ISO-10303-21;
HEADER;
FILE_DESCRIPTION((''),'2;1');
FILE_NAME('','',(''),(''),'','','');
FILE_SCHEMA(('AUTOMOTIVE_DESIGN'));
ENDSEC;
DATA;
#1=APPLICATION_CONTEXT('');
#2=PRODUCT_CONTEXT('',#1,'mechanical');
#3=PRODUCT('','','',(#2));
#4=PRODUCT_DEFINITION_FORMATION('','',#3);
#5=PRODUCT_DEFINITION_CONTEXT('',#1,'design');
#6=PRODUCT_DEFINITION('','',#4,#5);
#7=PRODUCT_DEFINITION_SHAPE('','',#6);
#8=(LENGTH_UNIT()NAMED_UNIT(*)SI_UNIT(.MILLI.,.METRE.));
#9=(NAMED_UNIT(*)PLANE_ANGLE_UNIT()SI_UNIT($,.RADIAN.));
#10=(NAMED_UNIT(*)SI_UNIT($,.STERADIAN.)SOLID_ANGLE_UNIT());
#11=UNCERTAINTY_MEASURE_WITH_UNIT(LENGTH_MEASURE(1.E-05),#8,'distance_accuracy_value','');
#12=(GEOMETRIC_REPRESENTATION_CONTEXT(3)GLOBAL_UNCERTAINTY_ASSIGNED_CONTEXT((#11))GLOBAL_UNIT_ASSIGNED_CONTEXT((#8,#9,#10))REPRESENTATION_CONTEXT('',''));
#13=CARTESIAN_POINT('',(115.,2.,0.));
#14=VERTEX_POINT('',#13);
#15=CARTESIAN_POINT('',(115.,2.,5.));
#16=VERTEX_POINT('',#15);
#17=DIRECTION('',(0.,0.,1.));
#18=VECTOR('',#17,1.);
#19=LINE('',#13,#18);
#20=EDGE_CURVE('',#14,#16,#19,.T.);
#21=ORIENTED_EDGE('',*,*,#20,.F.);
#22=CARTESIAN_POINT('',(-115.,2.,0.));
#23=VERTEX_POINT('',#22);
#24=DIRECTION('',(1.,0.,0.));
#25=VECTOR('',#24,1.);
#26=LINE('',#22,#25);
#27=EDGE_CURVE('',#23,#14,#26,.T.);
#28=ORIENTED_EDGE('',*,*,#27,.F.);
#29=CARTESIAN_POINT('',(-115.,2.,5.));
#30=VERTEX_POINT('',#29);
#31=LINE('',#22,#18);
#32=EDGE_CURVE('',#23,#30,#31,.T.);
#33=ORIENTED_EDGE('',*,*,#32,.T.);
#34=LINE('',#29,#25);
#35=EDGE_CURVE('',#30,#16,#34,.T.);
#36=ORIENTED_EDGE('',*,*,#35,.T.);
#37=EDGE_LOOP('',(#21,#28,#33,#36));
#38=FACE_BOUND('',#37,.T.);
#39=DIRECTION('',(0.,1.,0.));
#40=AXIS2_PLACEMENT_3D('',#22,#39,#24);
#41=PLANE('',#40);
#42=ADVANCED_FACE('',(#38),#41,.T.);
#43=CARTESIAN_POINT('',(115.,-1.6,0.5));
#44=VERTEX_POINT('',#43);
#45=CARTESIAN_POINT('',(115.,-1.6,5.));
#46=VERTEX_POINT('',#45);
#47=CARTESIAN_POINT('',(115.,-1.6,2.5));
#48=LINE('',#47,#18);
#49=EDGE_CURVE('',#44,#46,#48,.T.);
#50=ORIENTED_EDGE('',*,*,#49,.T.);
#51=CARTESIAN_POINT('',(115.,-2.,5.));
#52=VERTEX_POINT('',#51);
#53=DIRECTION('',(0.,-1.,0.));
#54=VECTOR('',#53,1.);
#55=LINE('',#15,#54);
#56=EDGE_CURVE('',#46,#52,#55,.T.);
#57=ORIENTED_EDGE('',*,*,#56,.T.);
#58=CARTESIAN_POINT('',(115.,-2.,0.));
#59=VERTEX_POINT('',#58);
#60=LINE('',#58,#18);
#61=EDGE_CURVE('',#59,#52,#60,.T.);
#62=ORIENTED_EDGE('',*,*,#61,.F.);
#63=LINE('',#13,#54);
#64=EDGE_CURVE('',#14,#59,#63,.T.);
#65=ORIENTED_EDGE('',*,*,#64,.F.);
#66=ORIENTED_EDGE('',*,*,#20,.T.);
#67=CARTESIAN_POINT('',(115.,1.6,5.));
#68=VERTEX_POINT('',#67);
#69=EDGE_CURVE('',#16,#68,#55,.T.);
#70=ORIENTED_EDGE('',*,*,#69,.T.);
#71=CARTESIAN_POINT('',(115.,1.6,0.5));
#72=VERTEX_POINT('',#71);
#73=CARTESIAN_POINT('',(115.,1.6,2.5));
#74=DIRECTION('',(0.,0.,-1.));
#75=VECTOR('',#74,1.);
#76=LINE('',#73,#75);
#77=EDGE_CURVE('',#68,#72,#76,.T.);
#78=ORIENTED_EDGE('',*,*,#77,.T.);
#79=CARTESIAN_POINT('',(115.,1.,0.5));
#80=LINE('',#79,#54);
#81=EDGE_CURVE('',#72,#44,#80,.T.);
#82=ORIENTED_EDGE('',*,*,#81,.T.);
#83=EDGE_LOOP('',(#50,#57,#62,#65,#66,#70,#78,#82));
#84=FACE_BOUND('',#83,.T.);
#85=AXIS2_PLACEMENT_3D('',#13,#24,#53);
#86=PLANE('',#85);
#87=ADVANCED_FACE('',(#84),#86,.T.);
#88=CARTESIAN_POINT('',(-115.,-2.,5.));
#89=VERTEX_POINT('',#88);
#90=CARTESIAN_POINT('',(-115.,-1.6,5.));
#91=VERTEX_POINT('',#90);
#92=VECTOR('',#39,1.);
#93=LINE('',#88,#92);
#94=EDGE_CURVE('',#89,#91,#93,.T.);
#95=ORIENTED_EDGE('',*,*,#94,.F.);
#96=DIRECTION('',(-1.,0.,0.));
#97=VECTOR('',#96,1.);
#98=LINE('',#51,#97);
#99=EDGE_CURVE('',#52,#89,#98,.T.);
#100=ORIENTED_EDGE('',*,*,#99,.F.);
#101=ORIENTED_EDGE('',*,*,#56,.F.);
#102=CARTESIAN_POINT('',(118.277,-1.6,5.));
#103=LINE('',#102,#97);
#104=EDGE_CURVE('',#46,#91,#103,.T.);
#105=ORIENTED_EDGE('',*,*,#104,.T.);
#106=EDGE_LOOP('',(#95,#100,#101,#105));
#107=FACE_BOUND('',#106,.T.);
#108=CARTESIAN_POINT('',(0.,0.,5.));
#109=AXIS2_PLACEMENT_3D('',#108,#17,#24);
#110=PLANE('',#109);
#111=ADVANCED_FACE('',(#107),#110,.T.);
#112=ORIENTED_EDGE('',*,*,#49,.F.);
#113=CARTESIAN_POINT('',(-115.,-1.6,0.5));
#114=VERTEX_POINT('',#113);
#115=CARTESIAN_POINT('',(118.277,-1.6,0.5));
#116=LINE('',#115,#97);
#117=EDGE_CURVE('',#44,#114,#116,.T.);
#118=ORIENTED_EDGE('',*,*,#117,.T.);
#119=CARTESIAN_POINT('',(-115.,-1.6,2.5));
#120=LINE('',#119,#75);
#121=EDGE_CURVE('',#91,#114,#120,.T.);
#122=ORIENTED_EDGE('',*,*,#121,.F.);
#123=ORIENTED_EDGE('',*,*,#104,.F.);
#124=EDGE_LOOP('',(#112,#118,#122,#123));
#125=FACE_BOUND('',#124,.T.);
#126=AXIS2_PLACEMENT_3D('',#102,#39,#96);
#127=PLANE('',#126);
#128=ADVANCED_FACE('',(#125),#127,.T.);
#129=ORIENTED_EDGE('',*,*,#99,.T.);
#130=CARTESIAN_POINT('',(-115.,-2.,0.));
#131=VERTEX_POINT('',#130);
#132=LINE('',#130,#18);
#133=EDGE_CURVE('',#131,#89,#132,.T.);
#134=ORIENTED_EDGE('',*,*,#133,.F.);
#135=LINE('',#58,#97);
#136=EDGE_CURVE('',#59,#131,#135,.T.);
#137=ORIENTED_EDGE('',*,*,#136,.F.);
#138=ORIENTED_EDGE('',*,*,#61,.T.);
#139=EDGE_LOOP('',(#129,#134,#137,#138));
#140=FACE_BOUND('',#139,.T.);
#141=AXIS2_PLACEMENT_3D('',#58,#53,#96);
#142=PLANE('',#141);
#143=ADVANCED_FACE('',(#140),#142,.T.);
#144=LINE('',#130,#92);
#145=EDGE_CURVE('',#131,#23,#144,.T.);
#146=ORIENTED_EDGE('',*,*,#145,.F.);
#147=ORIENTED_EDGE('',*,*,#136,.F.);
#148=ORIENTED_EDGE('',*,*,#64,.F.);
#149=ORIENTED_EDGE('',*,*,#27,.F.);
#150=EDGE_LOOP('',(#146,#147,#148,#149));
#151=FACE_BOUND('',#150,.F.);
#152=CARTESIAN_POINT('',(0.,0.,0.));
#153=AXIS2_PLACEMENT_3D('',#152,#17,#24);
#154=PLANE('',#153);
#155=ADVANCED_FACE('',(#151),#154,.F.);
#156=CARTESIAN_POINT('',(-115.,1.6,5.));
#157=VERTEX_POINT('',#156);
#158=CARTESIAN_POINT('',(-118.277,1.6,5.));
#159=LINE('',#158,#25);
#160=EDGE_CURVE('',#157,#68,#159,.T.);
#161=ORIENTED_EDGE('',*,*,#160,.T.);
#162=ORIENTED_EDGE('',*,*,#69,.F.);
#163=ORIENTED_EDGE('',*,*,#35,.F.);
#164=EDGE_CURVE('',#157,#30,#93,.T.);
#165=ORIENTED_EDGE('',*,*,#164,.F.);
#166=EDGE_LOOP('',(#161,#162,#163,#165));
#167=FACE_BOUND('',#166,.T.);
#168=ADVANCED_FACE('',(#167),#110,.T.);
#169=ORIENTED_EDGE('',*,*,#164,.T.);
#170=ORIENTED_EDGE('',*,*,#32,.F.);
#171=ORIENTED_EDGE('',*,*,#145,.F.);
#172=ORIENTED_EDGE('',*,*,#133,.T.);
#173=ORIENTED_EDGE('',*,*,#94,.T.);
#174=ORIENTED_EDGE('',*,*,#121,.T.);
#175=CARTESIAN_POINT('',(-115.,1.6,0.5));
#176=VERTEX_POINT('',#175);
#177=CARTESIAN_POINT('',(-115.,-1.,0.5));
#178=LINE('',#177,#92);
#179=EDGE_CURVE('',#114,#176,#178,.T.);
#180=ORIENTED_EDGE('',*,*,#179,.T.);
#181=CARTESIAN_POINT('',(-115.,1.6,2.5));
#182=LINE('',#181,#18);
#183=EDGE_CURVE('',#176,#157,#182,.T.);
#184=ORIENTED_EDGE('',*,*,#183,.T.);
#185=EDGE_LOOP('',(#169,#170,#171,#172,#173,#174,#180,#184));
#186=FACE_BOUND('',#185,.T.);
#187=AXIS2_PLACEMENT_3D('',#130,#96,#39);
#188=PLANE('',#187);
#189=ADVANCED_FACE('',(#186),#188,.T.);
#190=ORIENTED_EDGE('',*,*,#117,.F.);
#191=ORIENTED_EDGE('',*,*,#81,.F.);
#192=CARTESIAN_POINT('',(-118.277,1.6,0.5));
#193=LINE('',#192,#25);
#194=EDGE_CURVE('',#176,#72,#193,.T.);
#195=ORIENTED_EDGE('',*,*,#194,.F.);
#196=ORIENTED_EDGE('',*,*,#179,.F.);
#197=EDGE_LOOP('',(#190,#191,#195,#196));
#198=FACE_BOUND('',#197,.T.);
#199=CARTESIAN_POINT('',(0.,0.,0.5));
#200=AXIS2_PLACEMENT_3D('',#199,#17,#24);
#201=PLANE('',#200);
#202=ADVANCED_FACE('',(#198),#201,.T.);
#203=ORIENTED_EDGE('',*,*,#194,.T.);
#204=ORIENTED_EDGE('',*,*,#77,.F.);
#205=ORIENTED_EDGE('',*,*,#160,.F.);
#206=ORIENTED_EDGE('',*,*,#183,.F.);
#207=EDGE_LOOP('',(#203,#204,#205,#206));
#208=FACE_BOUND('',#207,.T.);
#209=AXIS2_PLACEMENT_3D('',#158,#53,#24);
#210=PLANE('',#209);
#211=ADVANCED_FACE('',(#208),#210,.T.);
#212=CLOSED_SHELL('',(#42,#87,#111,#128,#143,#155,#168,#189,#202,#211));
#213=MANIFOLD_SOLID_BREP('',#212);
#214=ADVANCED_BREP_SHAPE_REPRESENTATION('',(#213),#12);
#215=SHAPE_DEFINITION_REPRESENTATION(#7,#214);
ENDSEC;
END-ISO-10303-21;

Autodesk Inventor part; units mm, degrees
ref_plane "YZ Plane" through (0, 0, 0) normal (1, 0, 0) x (0, 1, 0)
ref_plane "XZ Plane" through (0, 0, 0) normal (0, 1, 0) x (-1, 0, 0)
ref_plane "XY Plane" through (0, 0, 0) normal (0, 0, 1) x (1, 0, 0)
sketch "Sketch1" plane through (0, 0, 0) normal (0, 0, 1) x (1, 0, 0)
  line L0 (-115, 2) -> (115, 2)
  line L1 (115, 2) -> (115, -2)
  line L2 (115, -2) -> (-115, -2)
  line L3 (-115, -2) -> (-115, 2)
  point P0 (0, 0)
  point P1 (-115, 0)
  point P2 (0, 2)
  dimension "d0" = 230
  dimension "d1" = 4
extrude "Extrusion1" add sketch "Sketch1" along normal blind 5
sketch "Sketch2" plane through (0, 0, 5) normal (0, 0, 1) x (1, 0, 0)
  line L0 (-118.277, 1.6) -> (118.277, 1.6)
  line L1 (118.277, 1.6) -> (118.277, -1.6)
  line L2 (118.277, -1.6) -> (-118.277, -1.6)
  line L3 (-118.277, -1.6) -> (-118.277, 1.6)
  point P0 (0, 0)
  point P1 (0, 1.6)
  point P2 (-118.277, 0)
  dimension "d4" = 3.2
extrude "Extrusion2" cut sketch "Sketch2" against normal blind 4.5
properties part number "Decupare Heated Bed"
